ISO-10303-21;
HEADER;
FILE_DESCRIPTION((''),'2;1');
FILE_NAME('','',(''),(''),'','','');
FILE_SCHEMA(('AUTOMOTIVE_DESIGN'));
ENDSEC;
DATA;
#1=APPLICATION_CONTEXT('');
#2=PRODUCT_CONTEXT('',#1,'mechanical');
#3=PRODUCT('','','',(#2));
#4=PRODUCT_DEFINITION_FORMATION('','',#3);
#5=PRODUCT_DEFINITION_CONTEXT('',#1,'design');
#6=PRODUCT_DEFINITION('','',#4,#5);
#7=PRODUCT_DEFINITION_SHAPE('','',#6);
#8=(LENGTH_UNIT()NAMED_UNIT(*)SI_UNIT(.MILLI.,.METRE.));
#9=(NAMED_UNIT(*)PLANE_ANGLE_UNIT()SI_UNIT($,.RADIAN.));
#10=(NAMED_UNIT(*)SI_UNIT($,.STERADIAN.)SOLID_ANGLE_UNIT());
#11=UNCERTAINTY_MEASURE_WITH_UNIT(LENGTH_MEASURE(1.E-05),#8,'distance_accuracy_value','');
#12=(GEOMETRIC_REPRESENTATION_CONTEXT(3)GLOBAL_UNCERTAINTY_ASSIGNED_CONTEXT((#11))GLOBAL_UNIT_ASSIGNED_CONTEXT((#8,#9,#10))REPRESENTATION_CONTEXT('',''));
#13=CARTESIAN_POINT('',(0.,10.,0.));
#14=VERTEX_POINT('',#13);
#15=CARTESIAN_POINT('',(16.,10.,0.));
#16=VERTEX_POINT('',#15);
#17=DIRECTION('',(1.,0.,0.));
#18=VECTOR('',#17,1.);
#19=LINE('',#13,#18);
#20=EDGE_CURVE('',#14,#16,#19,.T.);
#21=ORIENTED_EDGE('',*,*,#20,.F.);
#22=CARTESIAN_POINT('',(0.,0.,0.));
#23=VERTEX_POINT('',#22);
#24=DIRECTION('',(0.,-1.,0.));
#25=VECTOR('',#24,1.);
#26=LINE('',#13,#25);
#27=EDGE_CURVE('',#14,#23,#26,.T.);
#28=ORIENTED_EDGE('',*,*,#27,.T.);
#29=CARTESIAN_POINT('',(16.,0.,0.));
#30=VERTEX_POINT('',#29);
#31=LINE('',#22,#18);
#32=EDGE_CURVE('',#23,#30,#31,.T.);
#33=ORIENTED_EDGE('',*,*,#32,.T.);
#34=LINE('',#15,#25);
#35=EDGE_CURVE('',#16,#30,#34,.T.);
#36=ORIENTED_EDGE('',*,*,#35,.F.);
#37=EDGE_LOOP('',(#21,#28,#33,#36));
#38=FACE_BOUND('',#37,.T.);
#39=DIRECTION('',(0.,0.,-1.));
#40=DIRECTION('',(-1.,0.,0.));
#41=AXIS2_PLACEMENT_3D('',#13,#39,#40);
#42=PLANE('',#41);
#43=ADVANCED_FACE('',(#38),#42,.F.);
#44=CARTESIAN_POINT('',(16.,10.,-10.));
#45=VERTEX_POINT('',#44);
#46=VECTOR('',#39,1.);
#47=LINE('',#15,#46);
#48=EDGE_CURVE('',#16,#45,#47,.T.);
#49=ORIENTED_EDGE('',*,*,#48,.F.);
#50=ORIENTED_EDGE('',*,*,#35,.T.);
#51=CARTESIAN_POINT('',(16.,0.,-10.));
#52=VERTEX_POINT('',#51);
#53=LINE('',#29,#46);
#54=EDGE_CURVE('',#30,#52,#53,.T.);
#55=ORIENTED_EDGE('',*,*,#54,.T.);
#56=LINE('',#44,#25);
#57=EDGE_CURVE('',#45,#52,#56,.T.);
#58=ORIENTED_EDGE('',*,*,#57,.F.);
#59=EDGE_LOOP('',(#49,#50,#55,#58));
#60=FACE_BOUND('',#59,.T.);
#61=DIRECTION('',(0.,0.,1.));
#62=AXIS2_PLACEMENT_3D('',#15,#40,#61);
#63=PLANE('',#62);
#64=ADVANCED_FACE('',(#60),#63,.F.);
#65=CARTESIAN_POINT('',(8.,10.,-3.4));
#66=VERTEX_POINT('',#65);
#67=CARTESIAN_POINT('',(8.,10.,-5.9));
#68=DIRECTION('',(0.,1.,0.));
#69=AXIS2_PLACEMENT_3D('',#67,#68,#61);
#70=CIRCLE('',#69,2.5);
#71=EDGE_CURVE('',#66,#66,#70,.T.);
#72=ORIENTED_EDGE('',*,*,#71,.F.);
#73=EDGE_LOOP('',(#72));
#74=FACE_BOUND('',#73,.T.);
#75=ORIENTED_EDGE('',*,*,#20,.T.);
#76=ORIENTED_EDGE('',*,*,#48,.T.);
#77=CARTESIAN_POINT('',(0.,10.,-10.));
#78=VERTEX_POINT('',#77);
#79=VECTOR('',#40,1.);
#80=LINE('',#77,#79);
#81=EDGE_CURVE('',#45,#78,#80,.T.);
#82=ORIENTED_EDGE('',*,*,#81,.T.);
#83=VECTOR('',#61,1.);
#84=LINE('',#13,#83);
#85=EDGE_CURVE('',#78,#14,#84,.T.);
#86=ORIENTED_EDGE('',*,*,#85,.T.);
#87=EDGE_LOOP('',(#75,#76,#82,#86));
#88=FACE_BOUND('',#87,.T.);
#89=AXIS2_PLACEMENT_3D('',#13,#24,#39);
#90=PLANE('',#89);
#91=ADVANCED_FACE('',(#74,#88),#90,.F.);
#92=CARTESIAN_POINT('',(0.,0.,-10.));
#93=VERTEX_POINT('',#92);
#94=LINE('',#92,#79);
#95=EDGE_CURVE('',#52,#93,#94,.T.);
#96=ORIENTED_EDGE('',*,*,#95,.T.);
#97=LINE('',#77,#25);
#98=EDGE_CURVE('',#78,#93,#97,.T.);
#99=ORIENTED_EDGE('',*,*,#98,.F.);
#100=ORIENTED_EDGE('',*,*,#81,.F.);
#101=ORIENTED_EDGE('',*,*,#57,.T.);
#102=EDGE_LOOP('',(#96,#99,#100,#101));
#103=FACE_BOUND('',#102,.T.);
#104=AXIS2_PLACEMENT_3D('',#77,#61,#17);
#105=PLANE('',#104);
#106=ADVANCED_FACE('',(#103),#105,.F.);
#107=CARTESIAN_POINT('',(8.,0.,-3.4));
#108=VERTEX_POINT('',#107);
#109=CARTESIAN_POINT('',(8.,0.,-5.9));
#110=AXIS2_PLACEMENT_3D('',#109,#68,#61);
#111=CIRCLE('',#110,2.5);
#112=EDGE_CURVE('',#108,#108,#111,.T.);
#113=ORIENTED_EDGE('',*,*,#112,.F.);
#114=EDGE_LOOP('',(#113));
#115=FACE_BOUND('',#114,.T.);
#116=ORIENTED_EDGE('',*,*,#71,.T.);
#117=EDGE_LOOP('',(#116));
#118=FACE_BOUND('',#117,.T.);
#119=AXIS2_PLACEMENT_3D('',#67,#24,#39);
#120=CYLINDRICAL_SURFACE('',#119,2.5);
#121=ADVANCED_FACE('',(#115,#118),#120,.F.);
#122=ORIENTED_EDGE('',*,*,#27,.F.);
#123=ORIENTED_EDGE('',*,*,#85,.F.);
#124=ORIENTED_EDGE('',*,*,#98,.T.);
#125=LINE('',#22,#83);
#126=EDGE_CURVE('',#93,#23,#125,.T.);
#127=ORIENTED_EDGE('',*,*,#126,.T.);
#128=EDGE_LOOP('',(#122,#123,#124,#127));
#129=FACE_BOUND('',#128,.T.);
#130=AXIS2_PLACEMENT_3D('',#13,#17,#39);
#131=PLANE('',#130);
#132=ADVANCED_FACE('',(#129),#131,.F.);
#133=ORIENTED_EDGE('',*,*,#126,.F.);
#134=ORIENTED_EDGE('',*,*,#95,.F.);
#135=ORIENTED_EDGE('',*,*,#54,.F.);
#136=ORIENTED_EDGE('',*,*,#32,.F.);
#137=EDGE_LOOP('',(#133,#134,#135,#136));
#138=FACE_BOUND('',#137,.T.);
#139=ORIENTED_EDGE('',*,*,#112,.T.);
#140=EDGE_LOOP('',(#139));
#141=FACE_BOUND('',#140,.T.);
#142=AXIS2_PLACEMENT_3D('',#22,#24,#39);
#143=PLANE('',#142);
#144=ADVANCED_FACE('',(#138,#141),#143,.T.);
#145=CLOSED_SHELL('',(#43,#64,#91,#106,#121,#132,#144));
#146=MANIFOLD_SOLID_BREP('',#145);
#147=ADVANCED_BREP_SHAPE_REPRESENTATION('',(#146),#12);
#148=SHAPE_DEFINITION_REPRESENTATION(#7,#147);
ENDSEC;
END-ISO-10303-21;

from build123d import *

# Parameters (mm, degrees)
SKETCH1_W           = 16
SKETCH1_H           = 10
SKETCH1_R           = 2.5
BOSS_EXTRUDE1_DEPTH = 10


with BuildPart() as part:
    # Sketch1 → Boss-Extrude1 (new body)
    with BuildSketch(Plane(origin=(0, 0, 0), x_dir=(1, 0, 0), z_dir=(0, 1, 0))):
        with Locations((8, 5)):
            Rectangle(SKETCH1_W, SKETCH1_H)
        with Locations(Location((8, 5.9, 0), (0, 0, 270))):
            Circle(SKETCH1_R, mode=Mode.SUBTRACT)
    extrude(amount=BOSS_EXTRUDE1_DEPTH)


solid = part.part
